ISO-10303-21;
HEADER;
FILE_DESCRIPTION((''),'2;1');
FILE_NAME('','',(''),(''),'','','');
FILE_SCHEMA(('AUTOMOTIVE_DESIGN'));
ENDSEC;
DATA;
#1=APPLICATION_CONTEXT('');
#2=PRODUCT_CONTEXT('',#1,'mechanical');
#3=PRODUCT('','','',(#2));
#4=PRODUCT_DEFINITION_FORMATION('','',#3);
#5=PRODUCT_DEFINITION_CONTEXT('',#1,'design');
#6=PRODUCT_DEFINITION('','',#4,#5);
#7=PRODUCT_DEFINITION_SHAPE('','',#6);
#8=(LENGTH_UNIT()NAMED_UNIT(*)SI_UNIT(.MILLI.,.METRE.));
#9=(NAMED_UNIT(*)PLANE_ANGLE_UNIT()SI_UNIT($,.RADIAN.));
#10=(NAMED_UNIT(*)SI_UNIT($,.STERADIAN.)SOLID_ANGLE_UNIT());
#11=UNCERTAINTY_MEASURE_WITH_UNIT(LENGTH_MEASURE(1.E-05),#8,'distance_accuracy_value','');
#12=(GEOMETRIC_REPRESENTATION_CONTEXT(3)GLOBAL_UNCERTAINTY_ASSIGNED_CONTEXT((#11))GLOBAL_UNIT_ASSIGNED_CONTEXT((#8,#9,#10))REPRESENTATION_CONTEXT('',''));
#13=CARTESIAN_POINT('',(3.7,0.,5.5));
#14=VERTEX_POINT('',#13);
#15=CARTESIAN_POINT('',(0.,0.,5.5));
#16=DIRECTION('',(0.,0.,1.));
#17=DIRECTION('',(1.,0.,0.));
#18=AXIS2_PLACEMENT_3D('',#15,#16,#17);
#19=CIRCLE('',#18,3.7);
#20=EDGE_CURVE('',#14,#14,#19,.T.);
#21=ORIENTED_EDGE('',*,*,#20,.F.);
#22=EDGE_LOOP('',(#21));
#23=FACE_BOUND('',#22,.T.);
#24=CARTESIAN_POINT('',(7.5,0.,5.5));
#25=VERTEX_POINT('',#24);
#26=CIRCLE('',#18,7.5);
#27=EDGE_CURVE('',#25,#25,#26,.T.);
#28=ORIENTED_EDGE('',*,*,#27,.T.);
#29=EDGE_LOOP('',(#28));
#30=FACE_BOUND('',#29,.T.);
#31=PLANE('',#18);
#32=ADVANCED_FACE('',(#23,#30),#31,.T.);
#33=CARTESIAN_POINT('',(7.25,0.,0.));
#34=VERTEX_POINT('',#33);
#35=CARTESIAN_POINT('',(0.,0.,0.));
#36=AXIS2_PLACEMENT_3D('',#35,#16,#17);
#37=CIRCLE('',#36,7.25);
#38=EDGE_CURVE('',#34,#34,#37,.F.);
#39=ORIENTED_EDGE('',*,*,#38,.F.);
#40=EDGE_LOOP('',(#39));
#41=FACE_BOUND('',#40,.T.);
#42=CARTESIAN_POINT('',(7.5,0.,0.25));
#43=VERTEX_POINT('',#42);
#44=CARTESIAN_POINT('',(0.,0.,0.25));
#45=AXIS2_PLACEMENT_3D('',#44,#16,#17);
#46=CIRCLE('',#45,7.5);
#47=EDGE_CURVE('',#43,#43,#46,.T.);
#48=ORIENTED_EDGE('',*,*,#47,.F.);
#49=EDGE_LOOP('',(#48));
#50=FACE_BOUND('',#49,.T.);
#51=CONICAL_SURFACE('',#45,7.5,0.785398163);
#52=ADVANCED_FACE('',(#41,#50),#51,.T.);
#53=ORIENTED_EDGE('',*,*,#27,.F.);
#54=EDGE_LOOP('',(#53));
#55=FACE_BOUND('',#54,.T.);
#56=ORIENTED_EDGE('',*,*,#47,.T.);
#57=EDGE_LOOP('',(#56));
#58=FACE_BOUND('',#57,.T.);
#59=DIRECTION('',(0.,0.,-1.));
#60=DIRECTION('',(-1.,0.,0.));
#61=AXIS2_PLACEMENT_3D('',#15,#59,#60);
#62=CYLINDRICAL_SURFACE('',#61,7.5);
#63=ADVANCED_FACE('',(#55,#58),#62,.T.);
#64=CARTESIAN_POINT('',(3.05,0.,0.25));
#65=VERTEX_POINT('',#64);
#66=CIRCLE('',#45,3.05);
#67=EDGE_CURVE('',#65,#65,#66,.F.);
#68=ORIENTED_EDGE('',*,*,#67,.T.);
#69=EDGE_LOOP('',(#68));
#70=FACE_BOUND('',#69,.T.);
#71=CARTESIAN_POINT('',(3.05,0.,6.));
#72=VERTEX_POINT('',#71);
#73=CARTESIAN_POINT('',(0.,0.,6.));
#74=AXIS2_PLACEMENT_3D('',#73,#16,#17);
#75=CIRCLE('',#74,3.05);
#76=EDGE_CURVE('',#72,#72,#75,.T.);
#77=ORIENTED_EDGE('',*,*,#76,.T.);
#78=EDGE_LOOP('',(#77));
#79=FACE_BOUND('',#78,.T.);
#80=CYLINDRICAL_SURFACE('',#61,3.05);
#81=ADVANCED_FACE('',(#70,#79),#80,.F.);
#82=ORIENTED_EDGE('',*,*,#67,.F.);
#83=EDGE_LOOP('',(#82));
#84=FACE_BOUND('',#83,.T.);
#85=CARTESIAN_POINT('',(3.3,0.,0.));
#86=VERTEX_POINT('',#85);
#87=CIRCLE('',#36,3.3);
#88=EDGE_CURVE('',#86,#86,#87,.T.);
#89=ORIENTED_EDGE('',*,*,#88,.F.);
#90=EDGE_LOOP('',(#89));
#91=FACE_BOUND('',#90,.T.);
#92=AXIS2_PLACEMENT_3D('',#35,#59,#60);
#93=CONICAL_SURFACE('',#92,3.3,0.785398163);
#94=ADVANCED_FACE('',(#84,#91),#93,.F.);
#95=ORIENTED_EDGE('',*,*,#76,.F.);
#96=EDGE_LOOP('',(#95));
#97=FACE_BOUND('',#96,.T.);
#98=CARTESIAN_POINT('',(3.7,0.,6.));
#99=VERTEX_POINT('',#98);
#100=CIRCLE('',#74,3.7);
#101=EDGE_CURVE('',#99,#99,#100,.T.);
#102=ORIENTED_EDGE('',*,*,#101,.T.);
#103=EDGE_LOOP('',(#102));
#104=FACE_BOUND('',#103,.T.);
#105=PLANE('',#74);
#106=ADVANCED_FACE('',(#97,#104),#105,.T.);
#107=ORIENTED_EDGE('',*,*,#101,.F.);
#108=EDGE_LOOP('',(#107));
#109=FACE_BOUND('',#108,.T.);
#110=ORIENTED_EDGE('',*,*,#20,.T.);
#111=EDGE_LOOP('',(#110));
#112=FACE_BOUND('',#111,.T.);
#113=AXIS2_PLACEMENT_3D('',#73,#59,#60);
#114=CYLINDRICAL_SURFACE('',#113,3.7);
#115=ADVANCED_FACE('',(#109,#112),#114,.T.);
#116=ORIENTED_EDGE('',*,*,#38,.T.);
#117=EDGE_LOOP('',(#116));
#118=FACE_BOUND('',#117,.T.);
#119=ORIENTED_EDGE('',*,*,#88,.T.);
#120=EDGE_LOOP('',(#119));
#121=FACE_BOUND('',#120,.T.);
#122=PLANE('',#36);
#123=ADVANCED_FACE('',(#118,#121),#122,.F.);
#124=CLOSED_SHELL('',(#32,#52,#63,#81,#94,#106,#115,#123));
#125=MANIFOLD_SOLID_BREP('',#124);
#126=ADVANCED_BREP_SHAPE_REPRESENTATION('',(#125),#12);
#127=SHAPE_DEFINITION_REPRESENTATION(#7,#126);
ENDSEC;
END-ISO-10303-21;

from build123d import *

# Parameters (mm, degrees)
SKETCH1_R           = 7.5
SKETCH1_R_2         = 3.05
BOSS_EXTRUDE1_DEPTH = 5.5
SKETCH2_R           = 3.7
SKETCH2_R_2         = 3.05
BOSS_EXTRUDE2_DEPTH = 0.5
CHAMFER1_SIZE       = 0.25


with BuildPart() as part:
    # Sketch1 → Boss-Extrude1 (new body)
    with BuildSketch(Plane.XY):
        Circle(SKETCH1_R)
        Circle(SKETCH1_R_2, mode=Mode.SUBTRACT)
    extrude(amount=BOSS_EXTRUDE1_DEPTH)

    # Sketch2 → Boss-Extrude2 (add)
    with BuildSketch(Plane.XY.offset(5.5)):
        Circle(SKETCH2_R)
        Circle(SKETCH2_R_2, mode=Mode.SUBTRACT)
    extrude(amount=BOSS_EXTRUDE2_DEPTH)

    # Chamfer1
    chamfer1_edges = [part.edges().sort_by_distance(p)[0] for p in [
        (-7.5, 0, 0),
        (-3.05, 0, 0),
    ]]
    chamfer(chamfer1_edges, length=CHAMFER1_SIZE)


solid = part.part
